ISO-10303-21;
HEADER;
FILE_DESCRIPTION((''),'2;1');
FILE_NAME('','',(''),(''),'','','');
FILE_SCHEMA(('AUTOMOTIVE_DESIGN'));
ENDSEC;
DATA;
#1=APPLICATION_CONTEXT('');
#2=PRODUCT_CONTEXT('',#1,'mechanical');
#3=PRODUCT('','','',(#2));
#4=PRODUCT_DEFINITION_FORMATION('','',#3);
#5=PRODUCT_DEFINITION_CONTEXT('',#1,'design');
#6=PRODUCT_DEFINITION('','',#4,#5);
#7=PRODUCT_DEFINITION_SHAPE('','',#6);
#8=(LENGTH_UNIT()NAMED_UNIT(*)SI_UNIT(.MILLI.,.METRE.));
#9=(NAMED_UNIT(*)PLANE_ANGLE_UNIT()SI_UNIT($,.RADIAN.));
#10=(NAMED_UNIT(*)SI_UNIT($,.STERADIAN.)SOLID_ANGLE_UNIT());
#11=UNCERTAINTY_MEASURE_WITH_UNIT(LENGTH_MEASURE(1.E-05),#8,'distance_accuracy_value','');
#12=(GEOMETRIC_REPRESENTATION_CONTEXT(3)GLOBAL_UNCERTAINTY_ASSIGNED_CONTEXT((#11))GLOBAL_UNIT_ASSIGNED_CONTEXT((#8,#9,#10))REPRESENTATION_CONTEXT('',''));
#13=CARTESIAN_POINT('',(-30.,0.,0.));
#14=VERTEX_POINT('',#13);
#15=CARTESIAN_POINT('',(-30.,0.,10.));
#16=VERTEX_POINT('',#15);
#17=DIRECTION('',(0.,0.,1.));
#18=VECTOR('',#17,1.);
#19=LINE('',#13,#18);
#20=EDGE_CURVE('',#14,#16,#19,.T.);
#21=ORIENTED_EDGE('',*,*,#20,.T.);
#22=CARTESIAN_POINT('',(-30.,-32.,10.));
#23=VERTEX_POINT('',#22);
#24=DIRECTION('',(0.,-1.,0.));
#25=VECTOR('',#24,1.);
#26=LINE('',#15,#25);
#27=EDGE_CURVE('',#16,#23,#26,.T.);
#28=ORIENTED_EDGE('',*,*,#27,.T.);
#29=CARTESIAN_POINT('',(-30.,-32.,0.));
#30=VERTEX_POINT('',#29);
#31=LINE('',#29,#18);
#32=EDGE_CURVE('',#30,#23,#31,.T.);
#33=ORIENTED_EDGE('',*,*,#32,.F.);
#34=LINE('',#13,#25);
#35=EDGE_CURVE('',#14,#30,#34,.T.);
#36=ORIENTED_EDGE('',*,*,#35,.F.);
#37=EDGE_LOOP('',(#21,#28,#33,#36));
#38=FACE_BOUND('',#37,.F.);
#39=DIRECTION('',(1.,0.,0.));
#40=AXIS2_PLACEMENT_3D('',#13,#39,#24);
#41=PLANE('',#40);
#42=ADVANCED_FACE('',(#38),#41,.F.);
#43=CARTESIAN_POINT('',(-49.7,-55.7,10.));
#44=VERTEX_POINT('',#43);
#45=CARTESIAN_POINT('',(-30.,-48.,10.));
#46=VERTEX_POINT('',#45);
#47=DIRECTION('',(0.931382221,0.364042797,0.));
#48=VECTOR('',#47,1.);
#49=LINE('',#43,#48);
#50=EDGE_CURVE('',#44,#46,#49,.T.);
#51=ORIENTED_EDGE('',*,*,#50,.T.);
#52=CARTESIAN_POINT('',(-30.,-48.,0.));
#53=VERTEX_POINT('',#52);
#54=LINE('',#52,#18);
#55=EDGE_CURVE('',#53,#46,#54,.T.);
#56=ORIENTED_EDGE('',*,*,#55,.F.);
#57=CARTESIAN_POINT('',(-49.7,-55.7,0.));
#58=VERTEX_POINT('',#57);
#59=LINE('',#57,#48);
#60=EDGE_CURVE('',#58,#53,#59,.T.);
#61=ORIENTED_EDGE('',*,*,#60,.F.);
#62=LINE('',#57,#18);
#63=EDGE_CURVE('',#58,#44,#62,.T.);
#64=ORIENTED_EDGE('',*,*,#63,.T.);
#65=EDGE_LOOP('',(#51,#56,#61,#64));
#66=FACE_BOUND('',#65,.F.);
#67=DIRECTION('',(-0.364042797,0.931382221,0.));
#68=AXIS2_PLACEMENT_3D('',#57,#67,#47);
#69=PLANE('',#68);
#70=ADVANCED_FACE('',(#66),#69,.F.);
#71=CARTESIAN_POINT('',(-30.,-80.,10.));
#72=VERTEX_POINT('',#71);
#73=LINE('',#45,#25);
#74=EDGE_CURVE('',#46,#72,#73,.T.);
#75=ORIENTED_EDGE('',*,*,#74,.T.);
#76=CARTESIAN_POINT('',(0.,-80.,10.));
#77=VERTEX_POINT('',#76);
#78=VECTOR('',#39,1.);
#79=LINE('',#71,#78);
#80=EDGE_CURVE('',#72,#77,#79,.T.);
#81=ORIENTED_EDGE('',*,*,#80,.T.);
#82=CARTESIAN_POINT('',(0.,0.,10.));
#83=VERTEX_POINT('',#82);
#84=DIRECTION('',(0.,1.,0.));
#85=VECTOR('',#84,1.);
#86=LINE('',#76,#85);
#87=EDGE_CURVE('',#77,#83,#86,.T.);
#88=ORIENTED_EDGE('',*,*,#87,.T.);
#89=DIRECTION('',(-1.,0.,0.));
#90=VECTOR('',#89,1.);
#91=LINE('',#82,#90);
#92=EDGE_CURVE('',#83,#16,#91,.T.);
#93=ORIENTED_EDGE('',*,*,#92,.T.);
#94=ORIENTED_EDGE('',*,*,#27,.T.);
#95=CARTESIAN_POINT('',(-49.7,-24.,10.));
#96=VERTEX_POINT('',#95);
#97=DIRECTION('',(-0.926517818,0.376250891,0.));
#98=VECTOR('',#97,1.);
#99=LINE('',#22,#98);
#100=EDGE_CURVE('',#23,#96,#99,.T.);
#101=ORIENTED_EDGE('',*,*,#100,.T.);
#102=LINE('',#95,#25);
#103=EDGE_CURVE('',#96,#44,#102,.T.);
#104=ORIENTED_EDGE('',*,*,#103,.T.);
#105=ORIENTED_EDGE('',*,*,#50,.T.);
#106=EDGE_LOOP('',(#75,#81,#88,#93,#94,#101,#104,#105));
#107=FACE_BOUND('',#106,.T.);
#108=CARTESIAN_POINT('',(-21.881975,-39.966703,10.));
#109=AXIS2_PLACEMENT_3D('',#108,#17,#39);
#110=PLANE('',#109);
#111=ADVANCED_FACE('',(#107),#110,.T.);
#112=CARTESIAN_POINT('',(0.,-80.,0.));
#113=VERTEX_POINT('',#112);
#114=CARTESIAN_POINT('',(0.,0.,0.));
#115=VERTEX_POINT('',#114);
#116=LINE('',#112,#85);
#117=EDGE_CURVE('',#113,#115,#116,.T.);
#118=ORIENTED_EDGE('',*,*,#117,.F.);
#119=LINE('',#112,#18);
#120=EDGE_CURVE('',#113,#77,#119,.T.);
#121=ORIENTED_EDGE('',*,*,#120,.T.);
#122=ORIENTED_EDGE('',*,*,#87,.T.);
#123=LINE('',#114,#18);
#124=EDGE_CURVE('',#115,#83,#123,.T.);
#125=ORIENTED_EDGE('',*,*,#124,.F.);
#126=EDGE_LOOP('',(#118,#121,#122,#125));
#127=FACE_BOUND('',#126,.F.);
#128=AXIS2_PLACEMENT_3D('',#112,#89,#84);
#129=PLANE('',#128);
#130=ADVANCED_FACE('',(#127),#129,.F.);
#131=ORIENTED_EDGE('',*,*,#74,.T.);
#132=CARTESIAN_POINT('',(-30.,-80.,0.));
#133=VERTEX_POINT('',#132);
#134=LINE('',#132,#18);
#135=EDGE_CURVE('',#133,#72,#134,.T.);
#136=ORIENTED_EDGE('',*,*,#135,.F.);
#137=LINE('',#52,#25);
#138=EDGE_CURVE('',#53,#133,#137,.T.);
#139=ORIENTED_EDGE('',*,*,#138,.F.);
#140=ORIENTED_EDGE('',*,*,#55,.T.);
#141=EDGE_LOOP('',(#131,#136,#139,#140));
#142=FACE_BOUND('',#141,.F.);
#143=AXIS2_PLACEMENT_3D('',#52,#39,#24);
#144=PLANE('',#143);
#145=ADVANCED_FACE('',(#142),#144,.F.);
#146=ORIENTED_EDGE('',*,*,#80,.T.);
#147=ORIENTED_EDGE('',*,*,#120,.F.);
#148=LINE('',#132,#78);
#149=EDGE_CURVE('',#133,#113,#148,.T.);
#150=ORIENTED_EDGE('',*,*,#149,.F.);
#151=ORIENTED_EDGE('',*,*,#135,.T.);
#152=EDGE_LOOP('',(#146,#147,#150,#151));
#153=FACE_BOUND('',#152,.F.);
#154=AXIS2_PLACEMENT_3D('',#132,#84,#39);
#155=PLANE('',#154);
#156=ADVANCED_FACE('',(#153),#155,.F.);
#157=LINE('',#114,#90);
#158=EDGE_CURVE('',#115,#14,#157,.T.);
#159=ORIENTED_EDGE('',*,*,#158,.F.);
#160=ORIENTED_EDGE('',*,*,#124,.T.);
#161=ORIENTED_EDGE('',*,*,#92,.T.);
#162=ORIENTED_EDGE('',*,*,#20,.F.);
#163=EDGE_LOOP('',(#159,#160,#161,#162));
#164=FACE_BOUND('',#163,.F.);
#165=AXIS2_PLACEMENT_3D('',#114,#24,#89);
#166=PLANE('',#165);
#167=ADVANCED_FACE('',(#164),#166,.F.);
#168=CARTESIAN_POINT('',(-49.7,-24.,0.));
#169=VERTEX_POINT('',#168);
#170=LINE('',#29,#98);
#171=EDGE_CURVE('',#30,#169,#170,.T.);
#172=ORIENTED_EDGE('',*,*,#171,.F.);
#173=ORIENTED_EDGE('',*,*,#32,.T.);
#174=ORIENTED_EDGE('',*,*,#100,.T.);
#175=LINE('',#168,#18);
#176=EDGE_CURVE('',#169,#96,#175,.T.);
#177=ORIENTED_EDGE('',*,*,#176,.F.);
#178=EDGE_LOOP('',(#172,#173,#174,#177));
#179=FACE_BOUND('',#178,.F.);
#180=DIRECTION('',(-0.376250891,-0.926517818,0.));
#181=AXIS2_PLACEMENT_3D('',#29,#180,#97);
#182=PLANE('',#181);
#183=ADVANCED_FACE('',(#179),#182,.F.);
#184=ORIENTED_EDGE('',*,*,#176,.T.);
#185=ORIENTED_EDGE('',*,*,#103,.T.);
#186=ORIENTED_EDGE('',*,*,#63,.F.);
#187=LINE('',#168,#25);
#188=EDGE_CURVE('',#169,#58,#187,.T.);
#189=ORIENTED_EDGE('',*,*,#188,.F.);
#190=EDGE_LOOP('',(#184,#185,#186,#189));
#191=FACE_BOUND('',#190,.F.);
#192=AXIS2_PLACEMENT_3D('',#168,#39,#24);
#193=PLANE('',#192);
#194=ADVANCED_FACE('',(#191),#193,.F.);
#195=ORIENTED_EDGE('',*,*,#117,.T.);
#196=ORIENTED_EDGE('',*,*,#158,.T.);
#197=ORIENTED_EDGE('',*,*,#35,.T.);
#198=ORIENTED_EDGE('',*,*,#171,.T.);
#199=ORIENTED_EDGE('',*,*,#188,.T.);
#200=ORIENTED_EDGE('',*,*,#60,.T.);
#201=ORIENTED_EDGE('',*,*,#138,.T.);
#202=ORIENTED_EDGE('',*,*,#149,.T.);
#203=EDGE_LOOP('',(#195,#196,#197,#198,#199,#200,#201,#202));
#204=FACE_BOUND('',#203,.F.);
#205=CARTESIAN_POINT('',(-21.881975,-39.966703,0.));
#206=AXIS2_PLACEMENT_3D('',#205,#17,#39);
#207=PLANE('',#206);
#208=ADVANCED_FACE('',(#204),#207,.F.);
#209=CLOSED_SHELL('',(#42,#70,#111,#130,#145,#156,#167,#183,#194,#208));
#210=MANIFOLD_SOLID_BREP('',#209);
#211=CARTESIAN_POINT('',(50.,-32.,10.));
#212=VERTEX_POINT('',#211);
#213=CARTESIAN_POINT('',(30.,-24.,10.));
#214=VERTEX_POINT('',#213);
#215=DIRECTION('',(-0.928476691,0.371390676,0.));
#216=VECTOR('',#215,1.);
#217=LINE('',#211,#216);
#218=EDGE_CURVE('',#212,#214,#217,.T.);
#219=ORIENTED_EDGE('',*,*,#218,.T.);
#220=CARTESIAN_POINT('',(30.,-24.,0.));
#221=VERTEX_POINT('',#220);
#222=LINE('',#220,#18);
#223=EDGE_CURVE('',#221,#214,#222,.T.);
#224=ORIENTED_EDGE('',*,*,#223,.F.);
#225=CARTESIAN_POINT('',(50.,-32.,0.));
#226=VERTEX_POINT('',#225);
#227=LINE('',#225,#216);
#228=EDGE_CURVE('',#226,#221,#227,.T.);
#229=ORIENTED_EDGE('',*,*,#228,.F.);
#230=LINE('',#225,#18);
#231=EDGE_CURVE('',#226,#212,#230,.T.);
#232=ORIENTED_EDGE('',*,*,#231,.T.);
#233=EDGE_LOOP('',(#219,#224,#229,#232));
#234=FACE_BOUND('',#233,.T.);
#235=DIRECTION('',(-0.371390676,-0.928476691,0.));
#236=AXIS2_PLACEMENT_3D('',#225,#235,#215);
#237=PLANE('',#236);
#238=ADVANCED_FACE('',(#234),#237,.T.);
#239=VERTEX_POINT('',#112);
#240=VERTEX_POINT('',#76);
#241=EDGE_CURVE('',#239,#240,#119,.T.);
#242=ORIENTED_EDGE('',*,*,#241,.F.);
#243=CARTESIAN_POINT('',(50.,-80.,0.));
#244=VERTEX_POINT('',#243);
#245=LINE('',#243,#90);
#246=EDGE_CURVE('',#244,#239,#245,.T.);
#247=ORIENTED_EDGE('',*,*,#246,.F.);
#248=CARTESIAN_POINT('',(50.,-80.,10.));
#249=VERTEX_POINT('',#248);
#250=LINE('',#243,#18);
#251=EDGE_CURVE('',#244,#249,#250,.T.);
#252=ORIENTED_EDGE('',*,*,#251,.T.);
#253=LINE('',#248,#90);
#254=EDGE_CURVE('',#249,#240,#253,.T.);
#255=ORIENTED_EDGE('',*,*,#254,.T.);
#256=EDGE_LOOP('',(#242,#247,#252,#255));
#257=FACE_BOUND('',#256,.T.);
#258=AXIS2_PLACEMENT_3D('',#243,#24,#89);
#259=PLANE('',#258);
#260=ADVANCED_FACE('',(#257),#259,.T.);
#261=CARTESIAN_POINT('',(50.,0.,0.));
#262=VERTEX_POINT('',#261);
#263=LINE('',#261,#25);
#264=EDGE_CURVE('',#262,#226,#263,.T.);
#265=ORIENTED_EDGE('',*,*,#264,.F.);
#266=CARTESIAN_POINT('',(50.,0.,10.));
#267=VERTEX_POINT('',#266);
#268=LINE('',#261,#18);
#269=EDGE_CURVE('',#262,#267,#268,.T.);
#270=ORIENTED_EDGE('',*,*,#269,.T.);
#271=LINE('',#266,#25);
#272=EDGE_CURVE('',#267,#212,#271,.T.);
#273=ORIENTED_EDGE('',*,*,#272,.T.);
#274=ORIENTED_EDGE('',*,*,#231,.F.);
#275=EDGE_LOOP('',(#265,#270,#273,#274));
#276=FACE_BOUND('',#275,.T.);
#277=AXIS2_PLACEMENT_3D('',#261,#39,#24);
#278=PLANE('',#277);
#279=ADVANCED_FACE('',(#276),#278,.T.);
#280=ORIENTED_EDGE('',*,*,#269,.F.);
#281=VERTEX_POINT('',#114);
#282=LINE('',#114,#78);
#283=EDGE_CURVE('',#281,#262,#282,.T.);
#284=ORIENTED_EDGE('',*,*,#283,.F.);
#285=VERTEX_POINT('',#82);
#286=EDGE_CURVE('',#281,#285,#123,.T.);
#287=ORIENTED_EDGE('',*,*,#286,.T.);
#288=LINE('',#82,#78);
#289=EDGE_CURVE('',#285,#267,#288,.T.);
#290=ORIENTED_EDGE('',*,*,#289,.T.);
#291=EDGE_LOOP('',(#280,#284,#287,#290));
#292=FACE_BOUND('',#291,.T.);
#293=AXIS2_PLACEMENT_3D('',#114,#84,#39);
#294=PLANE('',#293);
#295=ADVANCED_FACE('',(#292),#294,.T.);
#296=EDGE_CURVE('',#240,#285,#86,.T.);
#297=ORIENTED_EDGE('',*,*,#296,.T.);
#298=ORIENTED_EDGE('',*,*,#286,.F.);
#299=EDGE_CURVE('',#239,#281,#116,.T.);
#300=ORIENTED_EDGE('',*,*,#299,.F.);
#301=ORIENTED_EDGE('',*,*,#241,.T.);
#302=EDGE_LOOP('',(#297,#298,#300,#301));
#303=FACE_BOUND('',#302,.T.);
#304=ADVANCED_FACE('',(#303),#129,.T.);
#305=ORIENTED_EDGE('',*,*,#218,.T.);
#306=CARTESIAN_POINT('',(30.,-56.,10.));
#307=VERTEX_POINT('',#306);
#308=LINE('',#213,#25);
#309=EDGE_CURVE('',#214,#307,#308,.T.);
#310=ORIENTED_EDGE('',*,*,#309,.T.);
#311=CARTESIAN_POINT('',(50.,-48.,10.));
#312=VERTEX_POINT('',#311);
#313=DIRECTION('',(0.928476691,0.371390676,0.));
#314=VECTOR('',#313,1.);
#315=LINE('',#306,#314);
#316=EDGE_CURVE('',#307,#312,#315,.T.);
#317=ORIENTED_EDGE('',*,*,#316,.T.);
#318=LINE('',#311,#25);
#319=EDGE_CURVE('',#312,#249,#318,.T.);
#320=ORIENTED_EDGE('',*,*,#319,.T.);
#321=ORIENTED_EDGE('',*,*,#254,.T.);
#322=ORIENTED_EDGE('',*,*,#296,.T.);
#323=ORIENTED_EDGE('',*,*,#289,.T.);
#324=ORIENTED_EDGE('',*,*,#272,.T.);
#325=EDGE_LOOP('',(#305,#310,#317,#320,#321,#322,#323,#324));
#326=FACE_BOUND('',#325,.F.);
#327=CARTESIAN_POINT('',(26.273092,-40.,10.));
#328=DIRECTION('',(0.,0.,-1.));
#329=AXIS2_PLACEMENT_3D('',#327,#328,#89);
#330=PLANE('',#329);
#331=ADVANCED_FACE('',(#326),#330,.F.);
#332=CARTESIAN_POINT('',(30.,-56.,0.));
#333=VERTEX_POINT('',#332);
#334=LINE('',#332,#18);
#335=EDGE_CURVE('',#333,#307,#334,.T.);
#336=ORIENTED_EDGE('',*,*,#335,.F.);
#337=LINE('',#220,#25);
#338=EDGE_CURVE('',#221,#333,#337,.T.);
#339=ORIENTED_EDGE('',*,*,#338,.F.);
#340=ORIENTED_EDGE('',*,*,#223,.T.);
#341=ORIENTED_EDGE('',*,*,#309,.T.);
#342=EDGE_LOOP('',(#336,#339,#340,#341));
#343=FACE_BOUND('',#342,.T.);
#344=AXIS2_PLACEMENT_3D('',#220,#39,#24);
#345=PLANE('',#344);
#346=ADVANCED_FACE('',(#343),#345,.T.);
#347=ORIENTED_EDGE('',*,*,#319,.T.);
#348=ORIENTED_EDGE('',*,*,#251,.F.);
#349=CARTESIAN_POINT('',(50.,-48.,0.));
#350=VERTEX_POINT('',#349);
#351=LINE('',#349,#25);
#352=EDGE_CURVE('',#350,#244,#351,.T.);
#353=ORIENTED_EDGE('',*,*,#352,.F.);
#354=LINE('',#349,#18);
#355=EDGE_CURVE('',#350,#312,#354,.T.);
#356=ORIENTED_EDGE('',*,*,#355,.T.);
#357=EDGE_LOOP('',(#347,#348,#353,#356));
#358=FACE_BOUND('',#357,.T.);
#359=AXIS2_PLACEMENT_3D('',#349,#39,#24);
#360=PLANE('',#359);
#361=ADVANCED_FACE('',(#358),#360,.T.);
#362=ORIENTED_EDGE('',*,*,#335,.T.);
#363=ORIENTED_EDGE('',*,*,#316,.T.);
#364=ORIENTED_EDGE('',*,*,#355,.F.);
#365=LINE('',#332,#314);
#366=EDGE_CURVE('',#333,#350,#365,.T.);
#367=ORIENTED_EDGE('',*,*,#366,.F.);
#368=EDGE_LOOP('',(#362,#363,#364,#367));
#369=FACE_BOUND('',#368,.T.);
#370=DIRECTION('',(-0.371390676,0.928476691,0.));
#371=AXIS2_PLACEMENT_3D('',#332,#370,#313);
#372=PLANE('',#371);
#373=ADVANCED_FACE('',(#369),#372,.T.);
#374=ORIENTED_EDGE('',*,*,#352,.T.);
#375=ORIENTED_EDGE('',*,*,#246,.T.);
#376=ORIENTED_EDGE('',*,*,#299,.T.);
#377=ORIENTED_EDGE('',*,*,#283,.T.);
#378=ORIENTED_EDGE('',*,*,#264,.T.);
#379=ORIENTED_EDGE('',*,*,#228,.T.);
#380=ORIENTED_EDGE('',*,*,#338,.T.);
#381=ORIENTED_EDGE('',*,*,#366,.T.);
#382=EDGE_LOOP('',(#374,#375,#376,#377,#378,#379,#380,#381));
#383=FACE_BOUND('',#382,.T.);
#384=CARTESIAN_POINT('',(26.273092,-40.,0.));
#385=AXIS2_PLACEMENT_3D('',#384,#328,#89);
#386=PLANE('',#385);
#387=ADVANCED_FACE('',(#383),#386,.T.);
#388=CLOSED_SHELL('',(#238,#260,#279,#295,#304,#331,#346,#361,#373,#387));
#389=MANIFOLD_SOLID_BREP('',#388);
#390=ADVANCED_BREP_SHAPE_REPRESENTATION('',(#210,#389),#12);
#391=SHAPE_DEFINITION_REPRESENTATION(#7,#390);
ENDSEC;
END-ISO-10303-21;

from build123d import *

# Parameters (mm, degrees)
PAD_DEPTH    = 10
PAD001_DEPTH = 10


with BuildPart() as body_socket:
    # Sketch → Pad (new body)
    with BuildSketch(Plane.XY):
        Polygon((0, 0), (50, 0), (50, -32), (30, -24), (30, -56), (50, -48), (50, -80), (0, -80), align=None)
    extrude(amount=PAD_DEPTH)


with BuildPart() as body_pin:
    # Sketch001 → Pad001 (new body)
    with BuildSketch(Plane.XY):
        Polygon((0, 0), (-30, 0), (-30, -32), (-49.7, -24), (-49.7, -55.7), (-30, -48), (-30, -80), (0, -80), align=None)
    extrude(amount=PAD001_DEPTH)


solid = Compound([body_socket.part, body_pin.part])
